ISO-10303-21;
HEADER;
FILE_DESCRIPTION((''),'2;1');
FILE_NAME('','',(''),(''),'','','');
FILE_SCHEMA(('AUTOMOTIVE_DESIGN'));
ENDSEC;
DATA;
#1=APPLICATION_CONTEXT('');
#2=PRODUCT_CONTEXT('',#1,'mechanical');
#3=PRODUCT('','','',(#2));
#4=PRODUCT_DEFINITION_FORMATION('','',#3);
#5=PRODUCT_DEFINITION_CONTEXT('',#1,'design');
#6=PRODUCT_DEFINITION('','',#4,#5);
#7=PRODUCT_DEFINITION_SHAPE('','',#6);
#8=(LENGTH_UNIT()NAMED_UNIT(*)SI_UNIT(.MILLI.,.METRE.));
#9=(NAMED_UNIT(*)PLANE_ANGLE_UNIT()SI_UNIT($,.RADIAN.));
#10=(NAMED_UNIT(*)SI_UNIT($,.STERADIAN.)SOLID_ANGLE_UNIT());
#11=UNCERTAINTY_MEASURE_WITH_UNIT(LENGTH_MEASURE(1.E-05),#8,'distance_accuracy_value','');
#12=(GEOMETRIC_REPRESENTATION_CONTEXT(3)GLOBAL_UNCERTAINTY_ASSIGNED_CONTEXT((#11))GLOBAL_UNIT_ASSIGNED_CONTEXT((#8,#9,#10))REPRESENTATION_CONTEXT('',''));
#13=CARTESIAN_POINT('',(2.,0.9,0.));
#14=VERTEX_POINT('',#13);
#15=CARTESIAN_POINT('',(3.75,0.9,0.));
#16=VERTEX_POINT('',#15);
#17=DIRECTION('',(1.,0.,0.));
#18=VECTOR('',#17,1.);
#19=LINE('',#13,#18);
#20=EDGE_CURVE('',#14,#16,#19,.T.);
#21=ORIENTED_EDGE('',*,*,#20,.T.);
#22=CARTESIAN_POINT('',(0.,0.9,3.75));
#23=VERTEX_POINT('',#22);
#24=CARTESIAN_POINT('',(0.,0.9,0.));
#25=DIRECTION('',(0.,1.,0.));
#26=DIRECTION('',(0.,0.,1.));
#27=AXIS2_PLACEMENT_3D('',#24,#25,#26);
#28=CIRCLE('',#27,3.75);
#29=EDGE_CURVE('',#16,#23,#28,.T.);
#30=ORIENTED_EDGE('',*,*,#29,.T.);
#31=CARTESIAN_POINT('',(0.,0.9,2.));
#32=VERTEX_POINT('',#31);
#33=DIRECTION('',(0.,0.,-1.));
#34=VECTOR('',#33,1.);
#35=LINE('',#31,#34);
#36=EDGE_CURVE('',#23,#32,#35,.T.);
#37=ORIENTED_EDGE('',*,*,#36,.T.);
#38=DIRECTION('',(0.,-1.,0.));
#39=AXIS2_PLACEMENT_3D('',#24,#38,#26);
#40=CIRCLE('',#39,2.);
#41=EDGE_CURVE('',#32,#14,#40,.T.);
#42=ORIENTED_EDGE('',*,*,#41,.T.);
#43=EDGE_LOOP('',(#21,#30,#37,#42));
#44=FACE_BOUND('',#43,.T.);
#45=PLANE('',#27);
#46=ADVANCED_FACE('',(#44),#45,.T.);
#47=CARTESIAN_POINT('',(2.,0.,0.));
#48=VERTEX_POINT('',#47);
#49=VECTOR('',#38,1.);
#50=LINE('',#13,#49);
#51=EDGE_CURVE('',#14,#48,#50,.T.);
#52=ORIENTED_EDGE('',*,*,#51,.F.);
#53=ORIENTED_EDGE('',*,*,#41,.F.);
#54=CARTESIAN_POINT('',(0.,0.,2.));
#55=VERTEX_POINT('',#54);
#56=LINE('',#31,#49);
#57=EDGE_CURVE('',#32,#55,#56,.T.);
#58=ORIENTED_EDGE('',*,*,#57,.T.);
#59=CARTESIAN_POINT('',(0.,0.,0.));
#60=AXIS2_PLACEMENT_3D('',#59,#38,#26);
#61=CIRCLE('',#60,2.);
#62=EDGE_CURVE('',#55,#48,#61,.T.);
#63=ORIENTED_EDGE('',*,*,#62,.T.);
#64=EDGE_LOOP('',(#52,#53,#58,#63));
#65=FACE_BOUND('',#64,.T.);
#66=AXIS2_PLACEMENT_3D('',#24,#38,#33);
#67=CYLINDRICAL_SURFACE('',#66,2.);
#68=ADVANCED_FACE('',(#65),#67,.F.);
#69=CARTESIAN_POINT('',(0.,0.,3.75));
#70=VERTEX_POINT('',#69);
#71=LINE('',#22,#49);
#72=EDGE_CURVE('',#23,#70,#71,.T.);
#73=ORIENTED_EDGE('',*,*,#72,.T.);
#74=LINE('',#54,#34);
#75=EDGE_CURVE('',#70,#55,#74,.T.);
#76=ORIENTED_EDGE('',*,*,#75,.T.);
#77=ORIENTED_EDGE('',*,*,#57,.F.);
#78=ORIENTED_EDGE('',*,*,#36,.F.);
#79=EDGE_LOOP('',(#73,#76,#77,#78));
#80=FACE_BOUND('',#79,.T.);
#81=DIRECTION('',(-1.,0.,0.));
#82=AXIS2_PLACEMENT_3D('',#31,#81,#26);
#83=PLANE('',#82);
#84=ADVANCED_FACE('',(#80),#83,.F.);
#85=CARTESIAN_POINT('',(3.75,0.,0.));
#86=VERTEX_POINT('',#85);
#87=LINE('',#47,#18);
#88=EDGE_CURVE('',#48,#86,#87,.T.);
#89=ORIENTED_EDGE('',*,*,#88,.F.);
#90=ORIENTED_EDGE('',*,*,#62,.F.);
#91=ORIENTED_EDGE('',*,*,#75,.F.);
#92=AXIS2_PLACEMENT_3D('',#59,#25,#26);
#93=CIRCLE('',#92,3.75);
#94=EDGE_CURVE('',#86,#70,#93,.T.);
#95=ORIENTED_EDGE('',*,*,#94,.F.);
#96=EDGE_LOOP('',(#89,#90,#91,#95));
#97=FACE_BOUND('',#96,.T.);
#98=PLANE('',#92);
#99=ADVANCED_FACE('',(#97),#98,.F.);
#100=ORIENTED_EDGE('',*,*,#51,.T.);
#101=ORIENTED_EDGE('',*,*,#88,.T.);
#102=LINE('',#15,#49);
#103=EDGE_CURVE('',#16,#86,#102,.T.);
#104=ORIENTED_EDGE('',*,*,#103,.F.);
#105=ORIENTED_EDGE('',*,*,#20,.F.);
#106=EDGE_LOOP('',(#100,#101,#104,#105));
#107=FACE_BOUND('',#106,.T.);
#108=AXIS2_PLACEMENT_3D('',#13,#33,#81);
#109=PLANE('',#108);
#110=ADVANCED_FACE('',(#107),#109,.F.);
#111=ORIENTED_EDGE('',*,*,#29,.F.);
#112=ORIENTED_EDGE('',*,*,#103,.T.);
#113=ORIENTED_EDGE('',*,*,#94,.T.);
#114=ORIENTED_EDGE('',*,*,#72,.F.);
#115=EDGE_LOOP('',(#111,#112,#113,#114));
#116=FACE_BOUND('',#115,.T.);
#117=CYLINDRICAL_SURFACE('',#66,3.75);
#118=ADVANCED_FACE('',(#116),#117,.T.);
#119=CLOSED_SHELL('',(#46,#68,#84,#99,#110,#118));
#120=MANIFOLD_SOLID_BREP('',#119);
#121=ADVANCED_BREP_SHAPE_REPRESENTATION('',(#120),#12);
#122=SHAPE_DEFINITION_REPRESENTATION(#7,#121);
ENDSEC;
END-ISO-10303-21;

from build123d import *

# Parameters (mm, degrees)
SALIENTE_EXTRUIR1_DEPTH = 0.9


with BuildPart() as part:
    # Croquis1 → Saliente-Extruir1 (new body)
    with BuildSketch(Plane(origin=(0, 0, 0), x_dir=(1, 0, 0), z_dir=(0, 1, 0))):
        with BuildLine():
            Line((2, 0), (3.75, 0))
            ThreePointArc((3.75, 0), (-2.651650429, 2.651650429), (0, -3.75))
            Line((0, -3.75), (0, -2))
            ThreePointArc((0, -2), (-1.414213562, 1.414213562), (2, 0))
        make_face()
    extrude(amount=SALIENTE_EXTRUIR1_DEPTH)


solid = part.part
